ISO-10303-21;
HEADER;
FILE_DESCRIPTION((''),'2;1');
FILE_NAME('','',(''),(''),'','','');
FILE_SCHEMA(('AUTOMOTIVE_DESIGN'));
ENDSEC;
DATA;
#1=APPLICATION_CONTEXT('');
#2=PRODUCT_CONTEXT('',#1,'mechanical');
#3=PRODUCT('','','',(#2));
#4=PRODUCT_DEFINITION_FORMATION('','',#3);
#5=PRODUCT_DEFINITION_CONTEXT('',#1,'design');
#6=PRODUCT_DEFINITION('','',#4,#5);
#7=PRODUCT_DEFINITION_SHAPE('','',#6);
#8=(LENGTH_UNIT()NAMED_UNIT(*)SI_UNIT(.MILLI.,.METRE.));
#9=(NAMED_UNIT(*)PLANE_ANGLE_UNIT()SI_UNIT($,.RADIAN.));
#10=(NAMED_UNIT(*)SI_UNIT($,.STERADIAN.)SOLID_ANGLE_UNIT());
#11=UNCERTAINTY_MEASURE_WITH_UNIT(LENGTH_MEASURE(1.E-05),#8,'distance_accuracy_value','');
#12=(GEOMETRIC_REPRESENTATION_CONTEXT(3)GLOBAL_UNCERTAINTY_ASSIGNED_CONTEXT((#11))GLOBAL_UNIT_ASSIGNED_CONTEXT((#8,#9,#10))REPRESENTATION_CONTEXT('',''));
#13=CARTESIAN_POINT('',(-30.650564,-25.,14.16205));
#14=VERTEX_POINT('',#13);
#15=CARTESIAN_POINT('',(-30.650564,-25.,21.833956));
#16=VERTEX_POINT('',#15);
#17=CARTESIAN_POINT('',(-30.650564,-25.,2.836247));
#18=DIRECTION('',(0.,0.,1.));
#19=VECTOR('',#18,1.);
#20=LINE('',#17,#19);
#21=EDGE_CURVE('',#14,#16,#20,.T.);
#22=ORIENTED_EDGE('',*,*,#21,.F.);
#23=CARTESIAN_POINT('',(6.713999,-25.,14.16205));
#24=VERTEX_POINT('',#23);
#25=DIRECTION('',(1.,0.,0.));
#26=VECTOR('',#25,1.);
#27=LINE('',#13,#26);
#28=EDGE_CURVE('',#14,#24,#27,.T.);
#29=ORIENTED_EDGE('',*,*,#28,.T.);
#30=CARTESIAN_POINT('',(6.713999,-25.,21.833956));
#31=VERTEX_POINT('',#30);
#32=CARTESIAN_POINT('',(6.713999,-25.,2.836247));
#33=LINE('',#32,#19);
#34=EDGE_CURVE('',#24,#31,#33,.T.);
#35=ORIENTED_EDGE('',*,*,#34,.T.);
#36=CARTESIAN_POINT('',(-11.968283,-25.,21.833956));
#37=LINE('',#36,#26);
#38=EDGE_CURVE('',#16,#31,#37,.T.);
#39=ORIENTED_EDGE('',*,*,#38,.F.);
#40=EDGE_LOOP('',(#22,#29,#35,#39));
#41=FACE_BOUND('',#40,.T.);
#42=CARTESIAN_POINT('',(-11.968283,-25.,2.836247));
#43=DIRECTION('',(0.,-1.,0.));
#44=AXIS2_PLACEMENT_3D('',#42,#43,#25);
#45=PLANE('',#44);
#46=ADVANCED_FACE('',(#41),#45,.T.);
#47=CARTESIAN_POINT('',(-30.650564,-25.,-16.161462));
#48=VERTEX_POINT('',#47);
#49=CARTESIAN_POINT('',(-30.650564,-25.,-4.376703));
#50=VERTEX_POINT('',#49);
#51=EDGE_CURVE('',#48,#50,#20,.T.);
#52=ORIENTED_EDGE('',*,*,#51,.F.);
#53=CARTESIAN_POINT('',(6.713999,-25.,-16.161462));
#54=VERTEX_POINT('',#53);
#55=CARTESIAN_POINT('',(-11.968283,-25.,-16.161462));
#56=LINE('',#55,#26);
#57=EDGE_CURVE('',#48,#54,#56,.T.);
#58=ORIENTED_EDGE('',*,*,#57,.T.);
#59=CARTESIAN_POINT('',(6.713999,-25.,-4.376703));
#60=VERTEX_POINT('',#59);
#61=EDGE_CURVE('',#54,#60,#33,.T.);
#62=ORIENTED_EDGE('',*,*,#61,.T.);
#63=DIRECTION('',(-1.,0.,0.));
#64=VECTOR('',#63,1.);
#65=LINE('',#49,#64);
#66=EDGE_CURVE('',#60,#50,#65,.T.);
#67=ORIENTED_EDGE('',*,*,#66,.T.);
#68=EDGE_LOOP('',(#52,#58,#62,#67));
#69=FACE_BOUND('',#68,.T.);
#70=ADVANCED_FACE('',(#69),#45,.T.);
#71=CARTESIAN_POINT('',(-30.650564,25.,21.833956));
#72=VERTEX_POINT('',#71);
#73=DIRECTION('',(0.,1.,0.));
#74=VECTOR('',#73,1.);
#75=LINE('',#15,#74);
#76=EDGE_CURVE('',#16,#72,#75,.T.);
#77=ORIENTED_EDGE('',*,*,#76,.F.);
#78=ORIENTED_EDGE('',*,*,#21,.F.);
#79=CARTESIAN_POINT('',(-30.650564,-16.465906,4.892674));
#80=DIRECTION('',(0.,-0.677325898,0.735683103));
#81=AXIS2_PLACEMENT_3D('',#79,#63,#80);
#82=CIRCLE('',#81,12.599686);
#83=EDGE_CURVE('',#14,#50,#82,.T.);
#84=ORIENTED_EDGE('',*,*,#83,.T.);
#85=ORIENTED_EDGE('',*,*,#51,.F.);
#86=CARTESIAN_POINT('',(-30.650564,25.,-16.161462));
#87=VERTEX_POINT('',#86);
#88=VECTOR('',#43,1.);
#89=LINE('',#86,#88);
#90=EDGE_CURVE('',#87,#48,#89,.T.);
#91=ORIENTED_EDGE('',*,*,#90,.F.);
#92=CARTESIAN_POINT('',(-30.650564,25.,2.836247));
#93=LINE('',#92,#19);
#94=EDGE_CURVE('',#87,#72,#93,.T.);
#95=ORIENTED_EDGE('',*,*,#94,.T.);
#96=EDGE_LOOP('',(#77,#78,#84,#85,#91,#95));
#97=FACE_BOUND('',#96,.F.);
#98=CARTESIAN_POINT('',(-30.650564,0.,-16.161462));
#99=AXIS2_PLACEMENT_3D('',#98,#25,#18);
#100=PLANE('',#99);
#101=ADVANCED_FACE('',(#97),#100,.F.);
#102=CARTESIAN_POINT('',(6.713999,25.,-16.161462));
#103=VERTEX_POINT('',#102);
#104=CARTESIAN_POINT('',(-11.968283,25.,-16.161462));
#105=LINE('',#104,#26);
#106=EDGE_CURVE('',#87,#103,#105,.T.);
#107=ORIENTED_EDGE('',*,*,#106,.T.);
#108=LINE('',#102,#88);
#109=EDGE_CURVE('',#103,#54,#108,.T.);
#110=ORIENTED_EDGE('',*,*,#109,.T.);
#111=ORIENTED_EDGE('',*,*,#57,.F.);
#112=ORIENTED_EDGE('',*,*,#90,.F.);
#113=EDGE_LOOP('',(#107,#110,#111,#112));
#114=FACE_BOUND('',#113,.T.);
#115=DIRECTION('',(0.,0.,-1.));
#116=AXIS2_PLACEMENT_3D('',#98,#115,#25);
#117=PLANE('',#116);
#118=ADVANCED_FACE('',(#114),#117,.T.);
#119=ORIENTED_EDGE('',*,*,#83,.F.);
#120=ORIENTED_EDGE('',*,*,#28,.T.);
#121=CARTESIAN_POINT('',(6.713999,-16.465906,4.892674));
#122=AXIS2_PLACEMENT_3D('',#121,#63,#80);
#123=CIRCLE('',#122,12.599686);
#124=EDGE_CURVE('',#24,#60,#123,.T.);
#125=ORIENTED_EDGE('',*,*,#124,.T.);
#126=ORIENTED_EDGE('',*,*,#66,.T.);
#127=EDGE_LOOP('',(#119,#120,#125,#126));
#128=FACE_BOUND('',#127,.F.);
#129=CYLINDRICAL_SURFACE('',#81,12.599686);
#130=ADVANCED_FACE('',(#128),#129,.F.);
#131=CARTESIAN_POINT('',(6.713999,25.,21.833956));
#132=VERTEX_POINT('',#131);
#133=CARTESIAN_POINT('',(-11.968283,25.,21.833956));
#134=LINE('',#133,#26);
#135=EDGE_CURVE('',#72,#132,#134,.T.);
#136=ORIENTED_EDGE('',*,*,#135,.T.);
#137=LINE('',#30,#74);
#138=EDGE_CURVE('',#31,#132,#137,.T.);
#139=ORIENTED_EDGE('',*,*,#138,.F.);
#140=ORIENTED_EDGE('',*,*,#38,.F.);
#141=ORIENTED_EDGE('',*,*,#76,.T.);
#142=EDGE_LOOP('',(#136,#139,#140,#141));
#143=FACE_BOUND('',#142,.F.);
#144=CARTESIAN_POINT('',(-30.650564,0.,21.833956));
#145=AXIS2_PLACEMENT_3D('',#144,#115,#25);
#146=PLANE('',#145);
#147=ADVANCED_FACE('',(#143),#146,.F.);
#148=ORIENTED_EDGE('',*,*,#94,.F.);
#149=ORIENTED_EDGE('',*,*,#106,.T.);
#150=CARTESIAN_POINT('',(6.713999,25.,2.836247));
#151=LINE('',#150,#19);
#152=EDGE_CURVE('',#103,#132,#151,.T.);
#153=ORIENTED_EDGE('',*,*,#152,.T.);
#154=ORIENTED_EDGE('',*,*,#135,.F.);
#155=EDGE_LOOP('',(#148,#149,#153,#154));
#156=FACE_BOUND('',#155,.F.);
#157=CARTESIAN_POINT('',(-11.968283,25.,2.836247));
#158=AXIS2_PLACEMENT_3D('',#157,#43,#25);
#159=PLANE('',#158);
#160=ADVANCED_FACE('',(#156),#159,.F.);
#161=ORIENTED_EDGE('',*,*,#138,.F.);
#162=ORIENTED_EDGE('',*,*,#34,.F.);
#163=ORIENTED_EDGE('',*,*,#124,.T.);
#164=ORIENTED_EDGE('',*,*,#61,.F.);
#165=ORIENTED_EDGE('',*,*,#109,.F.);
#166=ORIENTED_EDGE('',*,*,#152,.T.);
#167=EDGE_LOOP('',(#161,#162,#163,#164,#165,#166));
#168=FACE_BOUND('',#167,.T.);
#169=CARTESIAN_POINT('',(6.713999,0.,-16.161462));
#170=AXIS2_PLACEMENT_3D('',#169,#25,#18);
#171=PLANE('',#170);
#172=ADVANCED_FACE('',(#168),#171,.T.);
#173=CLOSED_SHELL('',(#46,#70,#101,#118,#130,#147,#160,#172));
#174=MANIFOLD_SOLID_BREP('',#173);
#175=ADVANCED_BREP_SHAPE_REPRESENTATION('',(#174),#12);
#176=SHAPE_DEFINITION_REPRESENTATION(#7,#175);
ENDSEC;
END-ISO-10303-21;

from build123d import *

# Parameters (mm, degrees)
F0_W     = 37.3645620421
F0_H     = 37.9954185337
F1_DEPTH = 25
F3_DEPTH = 37.3645620421


with BuildPart() as f1:
    # F0 (on Front) → F1 (new body, symmetric)
    with BuildSketch(Plane.XZ):
        with Locations((-11.968282517, 2.8362469748)):
            Rectangle(F0_W, F0_H)
    extrude(amount=F1_DEPTH, both=True)

    # F2 (on face) → F3 (cut, through all)
    with BuildSketch(Plane(origin=(-30.6505635381, 0, 0), x_dir=(0, -1, 0), z_dir=(-1, 0, 0))):
        with BuildLine():
            Line((25, -4.3767026195), (25, 14.1620502376))
            ThreePointArc((25, 14.1620502376), (3.8662195951, 4.8926738091), (25, -4.3767026195))
        make_face()
        with BuildLine():
            ThreePointArc((25, -4.3767026195), (28.0045153025, -0.1682149926), (29.0655925125, 4.8926738091))
            ThreePointArc((29.0655925125, 4.8926738091), (28.0045153025, 9.9535626108), (25, 14.1620502376))
            Line((25, 14.1620502376), (25, -4.3767026195))
        make_face()
    extrude(amount=-F3_DEPTH, mode=Mode.SUBTRACT)


solid = f1.part
